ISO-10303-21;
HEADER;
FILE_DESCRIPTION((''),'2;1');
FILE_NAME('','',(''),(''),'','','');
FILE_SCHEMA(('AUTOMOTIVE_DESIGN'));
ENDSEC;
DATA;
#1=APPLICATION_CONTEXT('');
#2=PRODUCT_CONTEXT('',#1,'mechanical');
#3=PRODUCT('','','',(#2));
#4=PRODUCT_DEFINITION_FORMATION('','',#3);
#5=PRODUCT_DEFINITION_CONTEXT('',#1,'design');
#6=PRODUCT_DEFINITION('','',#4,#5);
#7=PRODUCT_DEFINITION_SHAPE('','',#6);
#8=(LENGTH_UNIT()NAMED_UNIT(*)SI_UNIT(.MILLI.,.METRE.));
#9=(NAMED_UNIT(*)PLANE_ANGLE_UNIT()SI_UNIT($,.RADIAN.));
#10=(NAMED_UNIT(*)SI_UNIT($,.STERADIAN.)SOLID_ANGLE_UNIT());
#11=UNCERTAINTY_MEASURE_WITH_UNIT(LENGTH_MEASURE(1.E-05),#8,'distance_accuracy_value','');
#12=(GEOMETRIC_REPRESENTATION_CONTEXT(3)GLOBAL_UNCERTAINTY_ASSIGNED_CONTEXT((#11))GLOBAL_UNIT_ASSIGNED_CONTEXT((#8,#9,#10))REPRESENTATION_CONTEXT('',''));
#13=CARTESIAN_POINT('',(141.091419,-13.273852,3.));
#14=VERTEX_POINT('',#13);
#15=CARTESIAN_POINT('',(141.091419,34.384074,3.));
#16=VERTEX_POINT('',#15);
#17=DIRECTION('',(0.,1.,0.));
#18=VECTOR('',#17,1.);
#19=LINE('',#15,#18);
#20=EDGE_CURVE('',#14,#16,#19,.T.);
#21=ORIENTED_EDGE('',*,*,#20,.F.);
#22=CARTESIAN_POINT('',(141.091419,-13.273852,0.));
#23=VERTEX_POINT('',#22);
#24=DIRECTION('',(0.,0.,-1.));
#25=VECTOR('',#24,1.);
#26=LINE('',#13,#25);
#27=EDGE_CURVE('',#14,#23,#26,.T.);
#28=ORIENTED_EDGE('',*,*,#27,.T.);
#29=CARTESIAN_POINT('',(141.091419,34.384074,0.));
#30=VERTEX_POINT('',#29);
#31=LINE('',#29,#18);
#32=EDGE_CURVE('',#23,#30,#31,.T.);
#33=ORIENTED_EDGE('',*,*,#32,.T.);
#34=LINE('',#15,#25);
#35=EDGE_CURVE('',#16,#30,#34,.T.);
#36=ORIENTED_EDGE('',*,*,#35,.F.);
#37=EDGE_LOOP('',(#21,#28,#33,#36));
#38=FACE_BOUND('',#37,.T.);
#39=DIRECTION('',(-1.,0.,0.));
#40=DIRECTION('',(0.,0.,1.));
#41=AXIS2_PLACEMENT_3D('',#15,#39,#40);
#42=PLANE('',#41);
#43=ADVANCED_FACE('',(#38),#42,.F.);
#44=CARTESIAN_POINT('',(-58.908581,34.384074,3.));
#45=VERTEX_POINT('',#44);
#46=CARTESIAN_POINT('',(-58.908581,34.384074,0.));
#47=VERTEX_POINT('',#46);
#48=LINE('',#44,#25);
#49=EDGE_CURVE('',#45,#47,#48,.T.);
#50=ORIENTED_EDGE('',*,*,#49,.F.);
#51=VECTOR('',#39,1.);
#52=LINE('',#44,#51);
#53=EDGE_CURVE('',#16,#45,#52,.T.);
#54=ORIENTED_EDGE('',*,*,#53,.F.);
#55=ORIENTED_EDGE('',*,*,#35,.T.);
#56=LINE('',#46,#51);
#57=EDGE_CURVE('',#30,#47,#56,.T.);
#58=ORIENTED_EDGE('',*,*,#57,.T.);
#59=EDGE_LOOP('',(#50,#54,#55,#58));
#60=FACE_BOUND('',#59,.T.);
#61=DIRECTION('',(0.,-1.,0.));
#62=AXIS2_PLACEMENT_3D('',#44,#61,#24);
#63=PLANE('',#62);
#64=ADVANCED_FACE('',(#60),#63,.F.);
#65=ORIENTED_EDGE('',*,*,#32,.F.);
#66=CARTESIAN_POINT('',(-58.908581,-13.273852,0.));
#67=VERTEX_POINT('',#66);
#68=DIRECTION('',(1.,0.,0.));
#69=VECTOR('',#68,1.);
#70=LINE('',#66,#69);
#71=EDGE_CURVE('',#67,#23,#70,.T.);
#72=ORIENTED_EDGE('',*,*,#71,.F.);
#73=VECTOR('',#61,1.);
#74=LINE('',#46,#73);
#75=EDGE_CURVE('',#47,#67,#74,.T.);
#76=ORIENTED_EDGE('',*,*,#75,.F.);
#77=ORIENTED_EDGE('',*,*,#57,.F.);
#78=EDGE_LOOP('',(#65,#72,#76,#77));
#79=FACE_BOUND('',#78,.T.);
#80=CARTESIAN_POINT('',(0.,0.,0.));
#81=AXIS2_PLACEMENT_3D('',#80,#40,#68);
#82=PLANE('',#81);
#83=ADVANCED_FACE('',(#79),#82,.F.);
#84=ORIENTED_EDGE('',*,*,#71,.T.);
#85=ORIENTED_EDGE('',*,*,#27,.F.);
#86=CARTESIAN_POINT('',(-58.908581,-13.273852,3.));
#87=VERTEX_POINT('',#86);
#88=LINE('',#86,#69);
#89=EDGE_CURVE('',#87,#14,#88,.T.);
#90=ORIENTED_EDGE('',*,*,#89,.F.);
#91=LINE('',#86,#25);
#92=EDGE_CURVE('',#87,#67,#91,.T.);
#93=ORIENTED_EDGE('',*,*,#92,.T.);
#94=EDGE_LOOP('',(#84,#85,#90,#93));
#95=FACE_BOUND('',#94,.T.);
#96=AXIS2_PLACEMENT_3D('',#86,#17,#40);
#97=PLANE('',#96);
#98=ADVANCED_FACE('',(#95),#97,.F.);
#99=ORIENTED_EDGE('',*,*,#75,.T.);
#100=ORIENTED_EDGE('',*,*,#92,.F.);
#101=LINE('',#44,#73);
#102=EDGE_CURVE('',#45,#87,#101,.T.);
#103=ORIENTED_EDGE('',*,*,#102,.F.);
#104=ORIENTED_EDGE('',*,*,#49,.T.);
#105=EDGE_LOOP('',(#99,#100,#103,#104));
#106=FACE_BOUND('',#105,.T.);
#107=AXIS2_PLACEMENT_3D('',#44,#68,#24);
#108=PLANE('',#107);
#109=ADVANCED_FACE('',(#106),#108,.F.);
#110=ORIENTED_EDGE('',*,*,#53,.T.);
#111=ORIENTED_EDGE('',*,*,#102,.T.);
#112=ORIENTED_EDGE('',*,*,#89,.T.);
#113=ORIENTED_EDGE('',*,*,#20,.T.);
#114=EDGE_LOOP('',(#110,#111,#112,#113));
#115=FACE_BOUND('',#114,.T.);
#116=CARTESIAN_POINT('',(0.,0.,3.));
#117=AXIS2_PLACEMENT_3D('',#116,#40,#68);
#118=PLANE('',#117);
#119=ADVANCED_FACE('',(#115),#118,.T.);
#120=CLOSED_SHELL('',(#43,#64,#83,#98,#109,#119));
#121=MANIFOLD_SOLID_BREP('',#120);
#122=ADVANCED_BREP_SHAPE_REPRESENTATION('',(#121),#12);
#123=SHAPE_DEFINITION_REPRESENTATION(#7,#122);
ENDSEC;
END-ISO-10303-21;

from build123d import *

# Parameters (mm, degrees)
ESQUISSE1_W        = 200
ESQUISSE1_H        = 47.657925926
BOSS_EXTRU_1_DEPTH = 3


with BuildPart() as part:
    # Esquisse1 → Boss.-Extru.1 (new body)
    with BuildSketch(Plane.XY):
        with Locations((41.091419201, 10.555111111)):
            Rectangle(ESQUISSE1_W, ESQUISSE1_H)
    extrude(amount=BOSS_EXTRU_1_DEPTH)


solid = part.part
